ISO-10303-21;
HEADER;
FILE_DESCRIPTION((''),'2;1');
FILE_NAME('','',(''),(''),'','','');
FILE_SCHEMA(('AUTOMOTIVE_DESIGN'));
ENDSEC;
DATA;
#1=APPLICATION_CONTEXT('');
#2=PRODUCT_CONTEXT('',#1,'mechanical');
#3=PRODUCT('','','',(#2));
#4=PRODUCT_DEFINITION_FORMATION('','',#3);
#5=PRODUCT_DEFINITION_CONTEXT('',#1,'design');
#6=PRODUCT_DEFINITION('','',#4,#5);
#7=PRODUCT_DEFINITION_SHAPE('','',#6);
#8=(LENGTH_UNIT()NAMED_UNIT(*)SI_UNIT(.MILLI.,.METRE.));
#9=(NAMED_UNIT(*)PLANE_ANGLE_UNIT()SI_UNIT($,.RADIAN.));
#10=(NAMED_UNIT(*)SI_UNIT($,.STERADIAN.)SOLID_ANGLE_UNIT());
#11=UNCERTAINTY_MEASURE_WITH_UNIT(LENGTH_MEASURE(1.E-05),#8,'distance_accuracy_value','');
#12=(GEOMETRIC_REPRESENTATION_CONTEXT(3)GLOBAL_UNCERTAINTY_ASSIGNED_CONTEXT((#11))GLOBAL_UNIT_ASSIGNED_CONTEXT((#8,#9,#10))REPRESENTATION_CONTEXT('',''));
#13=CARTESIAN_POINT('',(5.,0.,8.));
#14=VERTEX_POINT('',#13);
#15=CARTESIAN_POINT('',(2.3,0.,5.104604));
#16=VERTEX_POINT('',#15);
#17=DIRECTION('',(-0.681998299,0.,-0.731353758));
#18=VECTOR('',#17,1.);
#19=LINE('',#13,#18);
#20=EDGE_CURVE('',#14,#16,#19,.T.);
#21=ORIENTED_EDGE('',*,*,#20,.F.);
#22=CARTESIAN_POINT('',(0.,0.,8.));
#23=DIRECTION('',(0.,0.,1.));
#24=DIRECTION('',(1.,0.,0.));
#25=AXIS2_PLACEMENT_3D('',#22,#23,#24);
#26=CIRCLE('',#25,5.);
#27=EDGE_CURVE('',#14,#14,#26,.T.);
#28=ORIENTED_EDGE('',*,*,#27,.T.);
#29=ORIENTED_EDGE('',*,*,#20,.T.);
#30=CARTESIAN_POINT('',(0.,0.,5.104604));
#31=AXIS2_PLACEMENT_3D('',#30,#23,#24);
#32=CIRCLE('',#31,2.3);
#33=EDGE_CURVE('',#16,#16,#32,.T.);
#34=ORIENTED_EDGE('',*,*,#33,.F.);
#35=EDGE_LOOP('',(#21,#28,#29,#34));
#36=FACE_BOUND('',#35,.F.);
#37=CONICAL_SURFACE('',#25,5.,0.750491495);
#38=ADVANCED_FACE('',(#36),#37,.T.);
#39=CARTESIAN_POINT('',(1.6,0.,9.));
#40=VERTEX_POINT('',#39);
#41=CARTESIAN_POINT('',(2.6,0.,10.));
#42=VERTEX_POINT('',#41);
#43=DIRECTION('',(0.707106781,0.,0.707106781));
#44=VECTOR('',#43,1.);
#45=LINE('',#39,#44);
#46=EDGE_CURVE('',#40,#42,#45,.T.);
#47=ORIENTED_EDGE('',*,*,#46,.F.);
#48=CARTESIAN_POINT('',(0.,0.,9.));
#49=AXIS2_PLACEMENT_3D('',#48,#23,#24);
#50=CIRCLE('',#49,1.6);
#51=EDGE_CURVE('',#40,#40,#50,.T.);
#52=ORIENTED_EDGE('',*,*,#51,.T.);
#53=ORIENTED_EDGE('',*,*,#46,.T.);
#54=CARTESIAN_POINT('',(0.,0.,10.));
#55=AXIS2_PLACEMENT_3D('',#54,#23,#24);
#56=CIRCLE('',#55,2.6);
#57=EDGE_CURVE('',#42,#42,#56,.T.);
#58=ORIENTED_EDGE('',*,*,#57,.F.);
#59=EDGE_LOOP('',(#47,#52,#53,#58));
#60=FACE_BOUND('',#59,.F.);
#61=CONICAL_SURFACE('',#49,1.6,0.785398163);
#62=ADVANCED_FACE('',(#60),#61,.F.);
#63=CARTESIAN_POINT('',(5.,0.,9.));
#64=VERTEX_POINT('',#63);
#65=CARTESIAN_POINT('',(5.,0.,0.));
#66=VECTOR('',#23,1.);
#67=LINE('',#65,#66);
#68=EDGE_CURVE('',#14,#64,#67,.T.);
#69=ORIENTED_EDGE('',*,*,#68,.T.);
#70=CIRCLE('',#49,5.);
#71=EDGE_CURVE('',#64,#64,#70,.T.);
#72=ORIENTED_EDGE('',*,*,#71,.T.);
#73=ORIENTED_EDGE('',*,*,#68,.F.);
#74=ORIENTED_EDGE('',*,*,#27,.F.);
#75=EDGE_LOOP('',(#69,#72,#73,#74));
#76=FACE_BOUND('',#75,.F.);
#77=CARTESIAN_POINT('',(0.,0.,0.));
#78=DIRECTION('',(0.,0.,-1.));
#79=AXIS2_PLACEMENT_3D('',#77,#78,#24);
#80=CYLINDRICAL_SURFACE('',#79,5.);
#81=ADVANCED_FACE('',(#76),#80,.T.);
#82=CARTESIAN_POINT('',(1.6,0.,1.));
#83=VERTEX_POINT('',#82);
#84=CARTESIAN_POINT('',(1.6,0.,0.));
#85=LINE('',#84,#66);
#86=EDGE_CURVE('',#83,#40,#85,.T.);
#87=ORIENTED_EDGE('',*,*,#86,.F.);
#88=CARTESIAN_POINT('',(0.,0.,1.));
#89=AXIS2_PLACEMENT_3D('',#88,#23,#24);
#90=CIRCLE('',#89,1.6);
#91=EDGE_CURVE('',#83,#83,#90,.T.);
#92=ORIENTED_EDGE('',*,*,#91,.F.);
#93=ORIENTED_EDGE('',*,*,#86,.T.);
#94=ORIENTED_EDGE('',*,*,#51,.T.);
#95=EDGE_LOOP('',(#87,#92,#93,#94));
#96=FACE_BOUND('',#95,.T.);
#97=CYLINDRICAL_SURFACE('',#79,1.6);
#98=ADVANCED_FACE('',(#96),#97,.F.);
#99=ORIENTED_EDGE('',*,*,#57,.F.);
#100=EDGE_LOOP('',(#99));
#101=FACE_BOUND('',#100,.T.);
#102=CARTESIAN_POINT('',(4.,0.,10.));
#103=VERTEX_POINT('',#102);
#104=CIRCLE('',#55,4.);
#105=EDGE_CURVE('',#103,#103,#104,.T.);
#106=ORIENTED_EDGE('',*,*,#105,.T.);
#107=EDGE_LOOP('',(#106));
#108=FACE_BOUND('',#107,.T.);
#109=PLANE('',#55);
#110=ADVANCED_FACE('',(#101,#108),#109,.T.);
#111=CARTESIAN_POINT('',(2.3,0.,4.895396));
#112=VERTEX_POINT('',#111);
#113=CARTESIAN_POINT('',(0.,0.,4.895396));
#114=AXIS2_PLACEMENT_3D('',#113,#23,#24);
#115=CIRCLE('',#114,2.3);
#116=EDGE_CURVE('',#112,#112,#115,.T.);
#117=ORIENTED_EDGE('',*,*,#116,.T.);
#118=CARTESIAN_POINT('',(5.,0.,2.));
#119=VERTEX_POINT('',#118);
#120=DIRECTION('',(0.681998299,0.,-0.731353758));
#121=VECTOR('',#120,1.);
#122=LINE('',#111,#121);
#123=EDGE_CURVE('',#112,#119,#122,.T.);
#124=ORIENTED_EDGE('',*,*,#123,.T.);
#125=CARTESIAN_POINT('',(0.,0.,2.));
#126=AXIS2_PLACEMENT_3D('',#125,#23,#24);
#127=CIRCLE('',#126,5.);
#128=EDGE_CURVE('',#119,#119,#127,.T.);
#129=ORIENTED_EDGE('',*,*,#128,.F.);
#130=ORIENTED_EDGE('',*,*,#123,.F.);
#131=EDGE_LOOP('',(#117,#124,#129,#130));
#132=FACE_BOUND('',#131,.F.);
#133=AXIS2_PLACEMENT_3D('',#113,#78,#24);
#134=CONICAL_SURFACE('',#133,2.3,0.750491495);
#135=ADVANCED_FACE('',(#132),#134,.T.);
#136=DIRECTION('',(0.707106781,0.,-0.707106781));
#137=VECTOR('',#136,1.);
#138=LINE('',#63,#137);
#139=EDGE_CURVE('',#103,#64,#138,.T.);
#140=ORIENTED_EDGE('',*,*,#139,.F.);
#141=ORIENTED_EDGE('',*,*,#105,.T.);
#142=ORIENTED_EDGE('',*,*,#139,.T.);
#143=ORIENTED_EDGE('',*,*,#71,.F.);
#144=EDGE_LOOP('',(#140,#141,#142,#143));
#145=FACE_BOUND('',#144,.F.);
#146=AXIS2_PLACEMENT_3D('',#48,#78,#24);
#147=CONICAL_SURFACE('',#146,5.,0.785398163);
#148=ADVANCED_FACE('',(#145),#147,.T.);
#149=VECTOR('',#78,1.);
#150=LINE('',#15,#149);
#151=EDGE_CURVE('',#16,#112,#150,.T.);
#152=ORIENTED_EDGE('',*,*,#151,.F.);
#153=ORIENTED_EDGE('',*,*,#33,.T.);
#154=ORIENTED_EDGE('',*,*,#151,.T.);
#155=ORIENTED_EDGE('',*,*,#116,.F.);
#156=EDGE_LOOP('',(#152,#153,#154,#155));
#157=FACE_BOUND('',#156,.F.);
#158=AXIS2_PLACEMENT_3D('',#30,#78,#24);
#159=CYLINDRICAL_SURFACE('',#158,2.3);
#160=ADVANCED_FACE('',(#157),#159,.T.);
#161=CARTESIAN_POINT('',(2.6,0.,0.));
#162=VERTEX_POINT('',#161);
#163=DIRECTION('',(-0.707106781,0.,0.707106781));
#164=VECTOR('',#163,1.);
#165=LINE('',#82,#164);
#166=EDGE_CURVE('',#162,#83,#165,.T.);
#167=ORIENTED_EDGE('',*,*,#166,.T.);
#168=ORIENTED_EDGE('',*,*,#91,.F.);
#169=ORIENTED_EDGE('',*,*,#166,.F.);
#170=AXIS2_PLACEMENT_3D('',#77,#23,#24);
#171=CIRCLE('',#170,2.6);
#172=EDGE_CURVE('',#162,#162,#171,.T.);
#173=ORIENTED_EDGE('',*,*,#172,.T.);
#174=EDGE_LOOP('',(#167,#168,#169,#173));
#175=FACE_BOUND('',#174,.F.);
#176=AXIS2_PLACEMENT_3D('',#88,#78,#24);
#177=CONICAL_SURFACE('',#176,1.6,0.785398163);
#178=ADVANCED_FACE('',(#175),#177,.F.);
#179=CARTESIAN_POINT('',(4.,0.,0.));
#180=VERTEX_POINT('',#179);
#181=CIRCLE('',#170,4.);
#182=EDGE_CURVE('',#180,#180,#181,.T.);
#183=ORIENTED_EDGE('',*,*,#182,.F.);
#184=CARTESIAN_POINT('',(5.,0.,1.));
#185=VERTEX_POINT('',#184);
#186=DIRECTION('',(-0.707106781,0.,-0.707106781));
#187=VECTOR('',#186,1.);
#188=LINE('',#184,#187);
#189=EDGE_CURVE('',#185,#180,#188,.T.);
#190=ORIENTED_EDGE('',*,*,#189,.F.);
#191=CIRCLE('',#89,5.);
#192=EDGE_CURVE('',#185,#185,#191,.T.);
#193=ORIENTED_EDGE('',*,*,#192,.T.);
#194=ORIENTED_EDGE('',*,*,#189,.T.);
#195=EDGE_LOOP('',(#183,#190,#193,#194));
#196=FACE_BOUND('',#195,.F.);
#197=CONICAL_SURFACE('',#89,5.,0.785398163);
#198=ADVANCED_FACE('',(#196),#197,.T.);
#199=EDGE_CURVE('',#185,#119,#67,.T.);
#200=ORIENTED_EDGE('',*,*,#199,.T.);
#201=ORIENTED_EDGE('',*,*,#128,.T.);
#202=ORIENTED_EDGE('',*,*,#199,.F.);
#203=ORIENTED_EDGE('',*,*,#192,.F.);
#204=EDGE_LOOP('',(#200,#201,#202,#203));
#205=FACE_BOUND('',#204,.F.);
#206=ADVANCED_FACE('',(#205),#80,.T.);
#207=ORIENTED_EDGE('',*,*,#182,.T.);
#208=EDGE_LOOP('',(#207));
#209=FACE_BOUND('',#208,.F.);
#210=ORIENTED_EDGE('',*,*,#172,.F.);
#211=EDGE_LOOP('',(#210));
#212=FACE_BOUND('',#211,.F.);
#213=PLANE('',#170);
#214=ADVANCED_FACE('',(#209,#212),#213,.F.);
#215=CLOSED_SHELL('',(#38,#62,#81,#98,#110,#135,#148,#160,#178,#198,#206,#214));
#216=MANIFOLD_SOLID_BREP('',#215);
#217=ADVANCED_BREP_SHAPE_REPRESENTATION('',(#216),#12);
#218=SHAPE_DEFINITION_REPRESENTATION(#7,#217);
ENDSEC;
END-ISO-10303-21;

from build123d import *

# Parameters (mm, degrees)
F0_R     = 5
F0_R_2   = 1.6
F1_DEPTH = 10
F4_SIZE  = 1


with BuildPart() as f1:
    # F0 (on Top) → F1 (new body)
    with BuildSketch(Plane.XY):
        Circle(F0_R)
        Circle(F0_R_2, mode=Mode.SUBTRACT)
    extrude(amount=F1_DEPTH)

    # F2 (on Front) → F3 (revolve, cut)
    with BuildSketch(Plane.XZ):
        Polygon((5, 2), (5, 8), (2.3, 5.104604), (2.3, 4.895396), align=None)
    revolve(axis=Axis((0, 0, 10), (0, 0, 1)), mode=Mode.SUBTRACT)

    # F4
    f4_edges = [f1.edges().sort_by_distance(p)[0] for p in [
        (-5, 0, 10),
        (-5, 0, 0),
        (-1.6, 0, 10),
        (-1.6, 0, 0),
    ]]
    chamfer(f4_edges, length=F4_SIZE)


solid = f1.part
